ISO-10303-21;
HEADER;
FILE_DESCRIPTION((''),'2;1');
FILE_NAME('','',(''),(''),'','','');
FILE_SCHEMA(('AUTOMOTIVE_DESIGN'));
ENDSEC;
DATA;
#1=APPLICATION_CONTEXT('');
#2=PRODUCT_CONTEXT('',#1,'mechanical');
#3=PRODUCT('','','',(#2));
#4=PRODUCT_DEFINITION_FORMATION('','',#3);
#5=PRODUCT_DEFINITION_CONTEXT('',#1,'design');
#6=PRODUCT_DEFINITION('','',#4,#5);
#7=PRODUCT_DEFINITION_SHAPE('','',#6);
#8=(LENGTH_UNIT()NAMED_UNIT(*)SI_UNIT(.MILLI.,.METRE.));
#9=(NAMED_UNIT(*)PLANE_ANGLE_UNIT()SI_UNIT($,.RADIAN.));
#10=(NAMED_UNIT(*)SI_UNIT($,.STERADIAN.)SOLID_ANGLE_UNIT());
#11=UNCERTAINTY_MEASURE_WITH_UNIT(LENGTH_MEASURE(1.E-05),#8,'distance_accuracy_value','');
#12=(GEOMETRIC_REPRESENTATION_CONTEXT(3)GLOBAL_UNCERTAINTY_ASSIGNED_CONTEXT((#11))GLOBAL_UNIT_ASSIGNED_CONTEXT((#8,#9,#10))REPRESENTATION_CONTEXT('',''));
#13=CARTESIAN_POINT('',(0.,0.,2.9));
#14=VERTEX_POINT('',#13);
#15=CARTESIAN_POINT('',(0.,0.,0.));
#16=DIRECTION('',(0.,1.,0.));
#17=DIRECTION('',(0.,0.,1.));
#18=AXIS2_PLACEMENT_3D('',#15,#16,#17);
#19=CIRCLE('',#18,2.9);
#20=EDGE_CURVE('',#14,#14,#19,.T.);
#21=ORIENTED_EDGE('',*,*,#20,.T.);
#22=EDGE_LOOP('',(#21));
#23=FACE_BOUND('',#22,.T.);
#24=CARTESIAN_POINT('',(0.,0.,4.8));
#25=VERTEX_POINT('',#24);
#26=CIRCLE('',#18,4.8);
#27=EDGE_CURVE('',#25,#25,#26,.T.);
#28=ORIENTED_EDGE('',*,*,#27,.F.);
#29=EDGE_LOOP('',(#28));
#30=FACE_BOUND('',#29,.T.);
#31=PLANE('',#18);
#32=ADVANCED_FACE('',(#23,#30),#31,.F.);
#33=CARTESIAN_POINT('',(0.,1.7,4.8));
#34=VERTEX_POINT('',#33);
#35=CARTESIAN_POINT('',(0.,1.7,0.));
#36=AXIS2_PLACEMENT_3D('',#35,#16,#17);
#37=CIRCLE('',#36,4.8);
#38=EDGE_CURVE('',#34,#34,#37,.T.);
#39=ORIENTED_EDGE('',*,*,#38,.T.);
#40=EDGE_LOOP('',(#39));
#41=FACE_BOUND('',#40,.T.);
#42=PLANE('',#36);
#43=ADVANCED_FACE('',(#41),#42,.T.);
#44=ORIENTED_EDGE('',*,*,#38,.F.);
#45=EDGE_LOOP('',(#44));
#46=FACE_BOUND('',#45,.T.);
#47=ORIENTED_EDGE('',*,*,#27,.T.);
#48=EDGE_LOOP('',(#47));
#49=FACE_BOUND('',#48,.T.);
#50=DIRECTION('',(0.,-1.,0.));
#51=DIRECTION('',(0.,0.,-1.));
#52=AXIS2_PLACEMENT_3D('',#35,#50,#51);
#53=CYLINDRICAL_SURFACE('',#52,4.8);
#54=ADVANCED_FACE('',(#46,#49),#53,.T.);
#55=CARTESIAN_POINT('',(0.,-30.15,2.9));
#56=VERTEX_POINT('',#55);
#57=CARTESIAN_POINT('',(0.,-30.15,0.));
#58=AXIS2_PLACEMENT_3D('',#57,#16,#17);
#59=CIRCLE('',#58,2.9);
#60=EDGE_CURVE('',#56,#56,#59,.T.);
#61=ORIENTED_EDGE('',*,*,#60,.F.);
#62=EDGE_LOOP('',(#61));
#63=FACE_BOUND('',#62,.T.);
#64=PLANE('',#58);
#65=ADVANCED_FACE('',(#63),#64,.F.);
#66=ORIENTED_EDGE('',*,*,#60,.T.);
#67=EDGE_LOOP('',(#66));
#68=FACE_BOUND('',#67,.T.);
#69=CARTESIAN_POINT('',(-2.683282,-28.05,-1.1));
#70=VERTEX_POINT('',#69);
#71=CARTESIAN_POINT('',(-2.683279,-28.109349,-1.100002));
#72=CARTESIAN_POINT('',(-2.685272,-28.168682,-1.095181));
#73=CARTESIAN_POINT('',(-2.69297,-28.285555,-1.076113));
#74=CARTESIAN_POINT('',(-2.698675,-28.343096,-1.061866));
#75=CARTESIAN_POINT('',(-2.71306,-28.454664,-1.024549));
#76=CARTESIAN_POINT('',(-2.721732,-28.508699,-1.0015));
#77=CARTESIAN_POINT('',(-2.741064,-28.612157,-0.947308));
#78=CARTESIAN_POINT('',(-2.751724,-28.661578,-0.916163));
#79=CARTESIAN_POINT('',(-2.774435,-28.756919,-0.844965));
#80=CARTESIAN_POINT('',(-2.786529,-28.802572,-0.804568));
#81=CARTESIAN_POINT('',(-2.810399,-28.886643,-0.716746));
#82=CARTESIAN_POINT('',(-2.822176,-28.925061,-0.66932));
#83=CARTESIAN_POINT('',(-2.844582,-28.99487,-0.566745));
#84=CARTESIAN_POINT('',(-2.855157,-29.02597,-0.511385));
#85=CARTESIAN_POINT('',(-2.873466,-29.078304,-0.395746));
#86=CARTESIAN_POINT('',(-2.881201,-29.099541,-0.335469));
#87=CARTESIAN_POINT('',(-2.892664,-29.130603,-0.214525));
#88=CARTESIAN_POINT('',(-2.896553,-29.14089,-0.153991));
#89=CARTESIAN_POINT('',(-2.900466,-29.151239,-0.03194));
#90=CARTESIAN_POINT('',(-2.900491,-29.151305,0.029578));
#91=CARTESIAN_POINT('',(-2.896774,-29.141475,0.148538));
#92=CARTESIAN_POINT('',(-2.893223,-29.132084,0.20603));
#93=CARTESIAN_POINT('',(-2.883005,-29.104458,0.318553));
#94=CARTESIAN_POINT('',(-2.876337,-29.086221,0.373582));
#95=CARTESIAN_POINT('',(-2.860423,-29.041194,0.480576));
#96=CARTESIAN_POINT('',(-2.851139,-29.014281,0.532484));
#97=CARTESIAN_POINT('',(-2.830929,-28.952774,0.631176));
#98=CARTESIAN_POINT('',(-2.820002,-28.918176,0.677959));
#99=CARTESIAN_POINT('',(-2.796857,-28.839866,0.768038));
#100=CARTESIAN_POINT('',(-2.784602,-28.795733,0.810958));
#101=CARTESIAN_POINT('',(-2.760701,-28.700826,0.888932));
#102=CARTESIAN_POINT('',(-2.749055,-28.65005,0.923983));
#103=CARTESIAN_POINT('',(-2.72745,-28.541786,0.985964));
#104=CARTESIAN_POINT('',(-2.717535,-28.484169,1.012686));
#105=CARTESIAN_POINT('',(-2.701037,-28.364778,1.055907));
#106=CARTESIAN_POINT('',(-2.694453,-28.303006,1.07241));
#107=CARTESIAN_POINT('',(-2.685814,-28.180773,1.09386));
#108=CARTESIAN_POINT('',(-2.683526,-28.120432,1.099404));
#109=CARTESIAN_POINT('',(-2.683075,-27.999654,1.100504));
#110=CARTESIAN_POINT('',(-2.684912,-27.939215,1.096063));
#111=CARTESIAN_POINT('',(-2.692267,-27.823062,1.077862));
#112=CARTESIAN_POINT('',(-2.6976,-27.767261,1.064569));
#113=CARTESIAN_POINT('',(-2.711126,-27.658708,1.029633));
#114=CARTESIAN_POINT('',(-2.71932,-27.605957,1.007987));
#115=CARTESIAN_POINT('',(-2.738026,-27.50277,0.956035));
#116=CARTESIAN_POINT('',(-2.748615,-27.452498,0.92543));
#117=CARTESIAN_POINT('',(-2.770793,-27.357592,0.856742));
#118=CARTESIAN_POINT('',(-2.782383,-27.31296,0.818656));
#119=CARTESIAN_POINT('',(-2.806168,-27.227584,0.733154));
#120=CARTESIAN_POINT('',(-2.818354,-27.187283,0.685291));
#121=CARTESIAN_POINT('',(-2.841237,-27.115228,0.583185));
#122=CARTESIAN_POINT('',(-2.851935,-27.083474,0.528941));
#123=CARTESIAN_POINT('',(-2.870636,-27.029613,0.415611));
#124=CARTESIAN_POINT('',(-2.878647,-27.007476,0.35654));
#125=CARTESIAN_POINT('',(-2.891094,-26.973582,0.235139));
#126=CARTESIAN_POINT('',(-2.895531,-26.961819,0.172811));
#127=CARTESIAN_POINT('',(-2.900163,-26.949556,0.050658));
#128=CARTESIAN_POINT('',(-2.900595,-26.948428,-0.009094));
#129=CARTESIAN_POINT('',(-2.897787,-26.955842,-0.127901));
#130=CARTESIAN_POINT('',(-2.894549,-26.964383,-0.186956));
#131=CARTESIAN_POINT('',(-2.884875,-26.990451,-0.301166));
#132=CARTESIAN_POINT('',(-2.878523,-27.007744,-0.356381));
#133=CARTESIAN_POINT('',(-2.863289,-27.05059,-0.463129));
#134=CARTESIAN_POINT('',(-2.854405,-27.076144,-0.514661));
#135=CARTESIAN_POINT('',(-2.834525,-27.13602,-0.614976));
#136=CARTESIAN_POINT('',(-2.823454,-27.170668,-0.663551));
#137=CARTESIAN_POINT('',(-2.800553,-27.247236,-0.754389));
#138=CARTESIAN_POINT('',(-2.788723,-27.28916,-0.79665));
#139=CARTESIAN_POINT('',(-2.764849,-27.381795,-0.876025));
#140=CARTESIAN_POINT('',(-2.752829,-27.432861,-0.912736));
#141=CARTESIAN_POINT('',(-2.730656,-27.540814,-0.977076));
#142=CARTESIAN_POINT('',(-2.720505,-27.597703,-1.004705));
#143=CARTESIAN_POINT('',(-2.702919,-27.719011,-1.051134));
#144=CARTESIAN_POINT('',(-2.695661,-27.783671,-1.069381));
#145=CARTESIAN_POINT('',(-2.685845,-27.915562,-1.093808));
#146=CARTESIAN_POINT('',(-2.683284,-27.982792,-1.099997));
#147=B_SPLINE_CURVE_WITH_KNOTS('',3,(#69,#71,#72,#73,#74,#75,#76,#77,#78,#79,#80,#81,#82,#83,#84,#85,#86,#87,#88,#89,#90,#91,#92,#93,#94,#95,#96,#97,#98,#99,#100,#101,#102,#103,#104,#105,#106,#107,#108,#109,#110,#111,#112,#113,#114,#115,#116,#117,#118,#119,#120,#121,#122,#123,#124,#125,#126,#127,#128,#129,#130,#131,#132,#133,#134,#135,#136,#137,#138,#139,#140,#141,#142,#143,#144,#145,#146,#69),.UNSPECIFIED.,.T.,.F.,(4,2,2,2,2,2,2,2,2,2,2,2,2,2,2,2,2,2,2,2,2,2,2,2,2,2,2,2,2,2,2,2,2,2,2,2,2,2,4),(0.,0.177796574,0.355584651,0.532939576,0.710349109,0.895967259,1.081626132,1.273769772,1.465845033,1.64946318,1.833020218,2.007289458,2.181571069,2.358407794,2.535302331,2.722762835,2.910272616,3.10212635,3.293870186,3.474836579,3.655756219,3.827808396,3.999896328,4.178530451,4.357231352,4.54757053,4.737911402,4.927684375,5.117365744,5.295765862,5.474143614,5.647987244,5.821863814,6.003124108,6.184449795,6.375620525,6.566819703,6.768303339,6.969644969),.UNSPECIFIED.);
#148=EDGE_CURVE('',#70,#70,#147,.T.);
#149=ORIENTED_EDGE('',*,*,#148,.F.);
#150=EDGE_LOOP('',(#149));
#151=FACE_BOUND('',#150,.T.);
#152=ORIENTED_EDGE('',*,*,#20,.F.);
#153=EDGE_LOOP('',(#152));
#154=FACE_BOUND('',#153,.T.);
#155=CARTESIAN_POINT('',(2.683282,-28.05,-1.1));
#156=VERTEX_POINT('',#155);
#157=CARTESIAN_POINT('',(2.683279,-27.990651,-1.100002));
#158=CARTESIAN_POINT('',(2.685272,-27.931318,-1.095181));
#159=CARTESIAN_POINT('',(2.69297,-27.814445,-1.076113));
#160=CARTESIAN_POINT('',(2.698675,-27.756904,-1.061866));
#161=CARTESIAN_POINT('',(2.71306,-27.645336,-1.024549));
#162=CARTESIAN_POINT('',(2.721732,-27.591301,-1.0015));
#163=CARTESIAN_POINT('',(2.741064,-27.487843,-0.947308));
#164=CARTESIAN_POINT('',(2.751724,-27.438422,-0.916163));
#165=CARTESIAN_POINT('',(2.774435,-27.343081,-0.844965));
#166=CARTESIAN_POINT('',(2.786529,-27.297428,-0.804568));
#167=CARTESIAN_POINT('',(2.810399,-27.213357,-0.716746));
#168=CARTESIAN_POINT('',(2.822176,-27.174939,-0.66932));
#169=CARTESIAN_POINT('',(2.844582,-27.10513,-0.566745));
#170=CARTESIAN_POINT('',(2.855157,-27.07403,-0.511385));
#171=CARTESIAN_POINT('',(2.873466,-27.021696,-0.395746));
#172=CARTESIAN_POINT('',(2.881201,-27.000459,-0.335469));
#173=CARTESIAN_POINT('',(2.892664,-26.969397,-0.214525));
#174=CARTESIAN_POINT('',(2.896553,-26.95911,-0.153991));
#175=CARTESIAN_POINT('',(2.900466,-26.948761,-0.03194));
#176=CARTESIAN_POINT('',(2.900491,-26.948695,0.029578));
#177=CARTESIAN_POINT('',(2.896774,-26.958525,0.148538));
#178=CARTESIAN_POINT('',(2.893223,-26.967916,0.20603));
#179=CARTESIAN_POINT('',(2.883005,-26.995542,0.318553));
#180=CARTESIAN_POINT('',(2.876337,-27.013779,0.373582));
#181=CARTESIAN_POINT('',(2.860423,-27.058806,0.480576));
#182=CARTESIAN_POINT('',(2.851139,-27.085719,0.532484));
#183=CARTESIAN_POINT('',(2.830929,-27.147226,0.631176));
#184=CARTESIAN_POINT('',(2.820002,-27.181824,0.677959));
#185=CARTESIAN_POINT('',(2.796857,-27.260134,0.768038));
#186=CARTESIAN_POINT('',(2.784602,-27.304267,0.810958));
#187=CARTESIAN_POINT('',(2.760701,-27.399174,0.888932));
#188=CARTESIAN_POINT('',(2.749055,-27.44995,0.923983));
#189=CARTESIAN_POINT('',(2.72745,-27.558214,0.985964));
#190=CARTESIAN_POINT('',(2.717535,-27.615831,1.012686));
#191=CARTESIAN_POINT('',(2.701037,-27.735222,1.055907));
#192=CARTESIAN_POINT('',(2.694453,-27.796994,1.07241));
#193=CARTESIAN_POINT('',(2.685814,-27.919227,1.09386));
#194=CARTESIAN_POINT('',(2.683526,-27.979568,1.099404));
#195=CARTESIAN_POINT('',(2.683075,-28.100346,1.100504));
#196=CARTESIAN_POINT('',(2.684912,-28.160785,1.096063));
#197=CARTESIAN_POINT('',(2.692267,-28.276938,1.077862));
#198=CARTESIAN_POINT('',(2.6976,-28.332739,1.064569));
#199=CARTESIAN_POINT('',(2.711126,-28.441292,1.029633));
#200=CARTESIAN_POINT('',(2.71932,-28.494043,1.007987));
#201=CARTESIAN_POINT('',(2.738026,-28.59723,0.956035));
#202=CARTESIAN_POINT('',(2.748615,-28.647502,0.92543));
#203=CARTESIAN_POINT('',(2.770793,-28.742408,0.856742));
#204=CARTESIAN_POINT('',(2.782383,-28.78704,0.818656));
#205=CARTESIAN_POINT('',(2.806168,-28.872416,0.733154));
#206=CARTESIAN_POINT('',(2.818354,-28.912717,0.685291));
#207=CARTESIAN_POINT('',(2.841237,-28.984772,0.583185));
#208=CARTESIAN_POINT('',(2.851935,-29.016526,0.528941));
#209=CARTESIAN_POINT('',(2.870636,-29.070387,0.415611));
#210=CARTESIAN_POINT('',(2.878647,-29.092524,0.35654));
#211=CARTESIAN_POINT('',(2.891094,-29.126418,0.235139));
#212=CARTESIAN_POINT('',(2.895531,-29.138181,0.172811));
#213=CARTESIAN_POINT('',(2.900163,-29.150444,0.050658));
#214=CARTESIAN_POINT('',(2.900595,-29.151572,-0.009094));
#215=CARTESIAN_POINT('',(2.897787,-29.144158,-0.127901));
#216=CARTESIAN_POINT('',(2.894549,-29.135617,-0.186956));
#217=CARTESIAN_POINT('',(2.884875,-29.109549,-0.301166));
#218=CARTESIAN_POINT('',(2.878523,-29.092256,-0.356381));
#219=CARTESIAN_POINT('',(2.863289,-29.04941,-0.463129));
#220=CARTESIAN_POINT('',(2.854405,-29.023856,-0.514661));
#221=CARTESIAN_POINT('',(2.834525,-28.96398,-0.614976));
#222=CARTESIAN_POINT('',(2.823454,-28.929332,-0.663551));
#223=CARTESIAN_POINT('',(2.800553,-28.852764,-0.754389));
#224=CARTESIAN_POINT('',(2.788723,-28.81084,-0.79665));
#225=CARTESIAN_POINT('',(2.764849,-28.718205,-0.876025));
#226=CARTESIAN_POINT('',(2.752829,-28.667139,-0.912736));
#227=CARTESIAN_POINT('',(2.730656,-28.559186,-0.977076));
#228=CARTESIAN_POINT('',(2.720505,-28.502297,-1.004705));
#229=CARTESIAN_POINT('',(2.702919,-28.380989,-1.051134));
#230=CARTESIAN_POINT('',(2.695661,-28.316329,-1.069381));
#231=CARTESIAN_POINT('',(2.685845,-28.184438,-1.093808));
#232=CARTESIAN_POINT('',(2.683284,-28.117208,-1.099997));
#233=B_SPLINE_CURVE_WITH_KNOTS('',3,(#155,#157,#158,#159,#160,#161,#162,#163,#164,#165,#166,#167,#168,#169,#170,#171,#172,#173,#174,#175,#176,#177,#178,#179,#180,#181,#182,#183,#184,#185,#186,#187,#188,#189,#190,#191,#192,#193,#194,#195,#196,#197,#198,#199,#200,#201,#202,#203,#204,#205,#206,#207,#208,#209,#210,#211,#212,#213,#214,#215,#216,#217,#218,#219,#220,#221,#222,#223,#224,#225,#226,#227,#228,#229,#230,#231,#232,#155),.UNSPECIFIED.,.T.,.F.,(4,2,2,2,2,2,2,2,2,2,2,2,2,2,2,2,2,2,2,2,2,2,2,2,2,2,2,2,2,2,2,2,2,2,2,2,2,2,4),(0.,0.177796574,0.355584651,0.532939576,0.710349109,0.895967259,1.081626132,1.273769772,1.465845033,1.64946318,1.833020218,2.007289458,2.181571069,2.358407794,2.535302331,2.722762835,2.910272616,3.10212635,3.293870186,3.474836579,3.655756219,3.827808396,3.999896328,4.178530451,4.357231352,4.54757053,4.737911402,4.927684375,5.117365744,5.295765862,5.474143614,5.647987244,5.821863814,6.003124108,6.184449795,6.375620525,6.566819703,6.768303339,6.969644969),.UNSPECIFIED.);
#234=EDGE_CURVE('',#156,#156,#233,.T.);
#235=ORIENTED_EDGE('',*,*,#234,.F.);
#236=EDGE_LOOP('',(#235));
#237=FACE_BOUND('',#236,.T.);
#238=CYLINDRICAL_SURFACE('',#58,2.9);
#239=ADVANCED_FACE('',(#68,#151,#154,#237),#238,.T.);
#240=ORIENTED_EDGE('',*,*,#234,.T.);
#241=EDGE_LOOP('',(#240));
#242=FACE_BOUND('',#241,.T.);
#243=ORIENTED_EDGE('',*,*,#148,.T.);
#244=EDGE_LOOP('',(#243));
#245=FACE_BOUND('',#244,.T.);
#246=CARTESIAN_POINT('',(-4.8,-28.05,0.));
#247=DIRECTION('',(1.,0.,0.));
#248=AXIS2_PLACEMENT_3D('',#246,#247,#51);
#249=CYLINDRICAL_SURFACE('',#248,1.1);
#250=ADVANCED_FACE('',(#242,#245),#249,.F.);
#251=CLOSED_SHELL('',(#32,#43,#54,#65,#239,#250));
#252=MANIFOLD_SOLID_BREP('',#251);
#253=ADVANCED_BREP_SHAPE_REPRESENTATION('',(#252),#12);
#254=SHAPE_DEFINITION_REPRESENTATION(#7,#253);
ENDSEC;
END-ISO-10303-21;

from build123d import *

# Parameters (mm, degrees)
SKETCH1_R               = 2.9
BOSS_EXTRUDE1_DEPTH     = 30.15
SKETCH2_R               = 4.8
BOSS_EXTRUDE2_DEPTH     = 1.7
SKETCH3_R               = 1.1
CUT_EXTRUDE1_DEPTH      = 5.8
CUT_EXTRUDE1_DEPTH_BACK = 5.8


with BuildPart() as part:
    # Sketch1 → Boss-Extrude1 (new body)
    with BuildSketch(Plane(origin=(0, 0, 0), x_dir=(1, 0, 0), z_dir=(0, 1, 0))):
        Circle(SKETCH1_R)
    extrude(amount=-BOSS_EXTRUDE1_DEPTH)

    # Sketch2 → Boss-Extrude2 (add)
    with BuildSketch(Plane(origin=(0, 0, 0), x_dir=(1, 0, 0), z_dir=(0, 1, 0))):
        Circle(SKETCH2_R)
    extrude(amount=BOSS_EXTRUDE2_DEPTH)

    # Sketch3 → Cut-Extrude1 (cut, two sides)
    with BuildSketch(Plane(origin=(0, 0, 0), x_dir=(0, 0, -1), z_dir=(1, 0, 0))) as cut_extrude1_sk:
        with Locations((0, -28.05)):
            Circle(SKETCH3_R)
    extrude(amount=CUT_EXTRUDE1_DEPTH, mode=Mode.SUBTRACT)
    extrude(cut_extrude1_sk.sketch, amount=-CUT_EXTRUDE1_DEPTH_BACK, mode=Mode.SUBTRACT)


solid = part.part
